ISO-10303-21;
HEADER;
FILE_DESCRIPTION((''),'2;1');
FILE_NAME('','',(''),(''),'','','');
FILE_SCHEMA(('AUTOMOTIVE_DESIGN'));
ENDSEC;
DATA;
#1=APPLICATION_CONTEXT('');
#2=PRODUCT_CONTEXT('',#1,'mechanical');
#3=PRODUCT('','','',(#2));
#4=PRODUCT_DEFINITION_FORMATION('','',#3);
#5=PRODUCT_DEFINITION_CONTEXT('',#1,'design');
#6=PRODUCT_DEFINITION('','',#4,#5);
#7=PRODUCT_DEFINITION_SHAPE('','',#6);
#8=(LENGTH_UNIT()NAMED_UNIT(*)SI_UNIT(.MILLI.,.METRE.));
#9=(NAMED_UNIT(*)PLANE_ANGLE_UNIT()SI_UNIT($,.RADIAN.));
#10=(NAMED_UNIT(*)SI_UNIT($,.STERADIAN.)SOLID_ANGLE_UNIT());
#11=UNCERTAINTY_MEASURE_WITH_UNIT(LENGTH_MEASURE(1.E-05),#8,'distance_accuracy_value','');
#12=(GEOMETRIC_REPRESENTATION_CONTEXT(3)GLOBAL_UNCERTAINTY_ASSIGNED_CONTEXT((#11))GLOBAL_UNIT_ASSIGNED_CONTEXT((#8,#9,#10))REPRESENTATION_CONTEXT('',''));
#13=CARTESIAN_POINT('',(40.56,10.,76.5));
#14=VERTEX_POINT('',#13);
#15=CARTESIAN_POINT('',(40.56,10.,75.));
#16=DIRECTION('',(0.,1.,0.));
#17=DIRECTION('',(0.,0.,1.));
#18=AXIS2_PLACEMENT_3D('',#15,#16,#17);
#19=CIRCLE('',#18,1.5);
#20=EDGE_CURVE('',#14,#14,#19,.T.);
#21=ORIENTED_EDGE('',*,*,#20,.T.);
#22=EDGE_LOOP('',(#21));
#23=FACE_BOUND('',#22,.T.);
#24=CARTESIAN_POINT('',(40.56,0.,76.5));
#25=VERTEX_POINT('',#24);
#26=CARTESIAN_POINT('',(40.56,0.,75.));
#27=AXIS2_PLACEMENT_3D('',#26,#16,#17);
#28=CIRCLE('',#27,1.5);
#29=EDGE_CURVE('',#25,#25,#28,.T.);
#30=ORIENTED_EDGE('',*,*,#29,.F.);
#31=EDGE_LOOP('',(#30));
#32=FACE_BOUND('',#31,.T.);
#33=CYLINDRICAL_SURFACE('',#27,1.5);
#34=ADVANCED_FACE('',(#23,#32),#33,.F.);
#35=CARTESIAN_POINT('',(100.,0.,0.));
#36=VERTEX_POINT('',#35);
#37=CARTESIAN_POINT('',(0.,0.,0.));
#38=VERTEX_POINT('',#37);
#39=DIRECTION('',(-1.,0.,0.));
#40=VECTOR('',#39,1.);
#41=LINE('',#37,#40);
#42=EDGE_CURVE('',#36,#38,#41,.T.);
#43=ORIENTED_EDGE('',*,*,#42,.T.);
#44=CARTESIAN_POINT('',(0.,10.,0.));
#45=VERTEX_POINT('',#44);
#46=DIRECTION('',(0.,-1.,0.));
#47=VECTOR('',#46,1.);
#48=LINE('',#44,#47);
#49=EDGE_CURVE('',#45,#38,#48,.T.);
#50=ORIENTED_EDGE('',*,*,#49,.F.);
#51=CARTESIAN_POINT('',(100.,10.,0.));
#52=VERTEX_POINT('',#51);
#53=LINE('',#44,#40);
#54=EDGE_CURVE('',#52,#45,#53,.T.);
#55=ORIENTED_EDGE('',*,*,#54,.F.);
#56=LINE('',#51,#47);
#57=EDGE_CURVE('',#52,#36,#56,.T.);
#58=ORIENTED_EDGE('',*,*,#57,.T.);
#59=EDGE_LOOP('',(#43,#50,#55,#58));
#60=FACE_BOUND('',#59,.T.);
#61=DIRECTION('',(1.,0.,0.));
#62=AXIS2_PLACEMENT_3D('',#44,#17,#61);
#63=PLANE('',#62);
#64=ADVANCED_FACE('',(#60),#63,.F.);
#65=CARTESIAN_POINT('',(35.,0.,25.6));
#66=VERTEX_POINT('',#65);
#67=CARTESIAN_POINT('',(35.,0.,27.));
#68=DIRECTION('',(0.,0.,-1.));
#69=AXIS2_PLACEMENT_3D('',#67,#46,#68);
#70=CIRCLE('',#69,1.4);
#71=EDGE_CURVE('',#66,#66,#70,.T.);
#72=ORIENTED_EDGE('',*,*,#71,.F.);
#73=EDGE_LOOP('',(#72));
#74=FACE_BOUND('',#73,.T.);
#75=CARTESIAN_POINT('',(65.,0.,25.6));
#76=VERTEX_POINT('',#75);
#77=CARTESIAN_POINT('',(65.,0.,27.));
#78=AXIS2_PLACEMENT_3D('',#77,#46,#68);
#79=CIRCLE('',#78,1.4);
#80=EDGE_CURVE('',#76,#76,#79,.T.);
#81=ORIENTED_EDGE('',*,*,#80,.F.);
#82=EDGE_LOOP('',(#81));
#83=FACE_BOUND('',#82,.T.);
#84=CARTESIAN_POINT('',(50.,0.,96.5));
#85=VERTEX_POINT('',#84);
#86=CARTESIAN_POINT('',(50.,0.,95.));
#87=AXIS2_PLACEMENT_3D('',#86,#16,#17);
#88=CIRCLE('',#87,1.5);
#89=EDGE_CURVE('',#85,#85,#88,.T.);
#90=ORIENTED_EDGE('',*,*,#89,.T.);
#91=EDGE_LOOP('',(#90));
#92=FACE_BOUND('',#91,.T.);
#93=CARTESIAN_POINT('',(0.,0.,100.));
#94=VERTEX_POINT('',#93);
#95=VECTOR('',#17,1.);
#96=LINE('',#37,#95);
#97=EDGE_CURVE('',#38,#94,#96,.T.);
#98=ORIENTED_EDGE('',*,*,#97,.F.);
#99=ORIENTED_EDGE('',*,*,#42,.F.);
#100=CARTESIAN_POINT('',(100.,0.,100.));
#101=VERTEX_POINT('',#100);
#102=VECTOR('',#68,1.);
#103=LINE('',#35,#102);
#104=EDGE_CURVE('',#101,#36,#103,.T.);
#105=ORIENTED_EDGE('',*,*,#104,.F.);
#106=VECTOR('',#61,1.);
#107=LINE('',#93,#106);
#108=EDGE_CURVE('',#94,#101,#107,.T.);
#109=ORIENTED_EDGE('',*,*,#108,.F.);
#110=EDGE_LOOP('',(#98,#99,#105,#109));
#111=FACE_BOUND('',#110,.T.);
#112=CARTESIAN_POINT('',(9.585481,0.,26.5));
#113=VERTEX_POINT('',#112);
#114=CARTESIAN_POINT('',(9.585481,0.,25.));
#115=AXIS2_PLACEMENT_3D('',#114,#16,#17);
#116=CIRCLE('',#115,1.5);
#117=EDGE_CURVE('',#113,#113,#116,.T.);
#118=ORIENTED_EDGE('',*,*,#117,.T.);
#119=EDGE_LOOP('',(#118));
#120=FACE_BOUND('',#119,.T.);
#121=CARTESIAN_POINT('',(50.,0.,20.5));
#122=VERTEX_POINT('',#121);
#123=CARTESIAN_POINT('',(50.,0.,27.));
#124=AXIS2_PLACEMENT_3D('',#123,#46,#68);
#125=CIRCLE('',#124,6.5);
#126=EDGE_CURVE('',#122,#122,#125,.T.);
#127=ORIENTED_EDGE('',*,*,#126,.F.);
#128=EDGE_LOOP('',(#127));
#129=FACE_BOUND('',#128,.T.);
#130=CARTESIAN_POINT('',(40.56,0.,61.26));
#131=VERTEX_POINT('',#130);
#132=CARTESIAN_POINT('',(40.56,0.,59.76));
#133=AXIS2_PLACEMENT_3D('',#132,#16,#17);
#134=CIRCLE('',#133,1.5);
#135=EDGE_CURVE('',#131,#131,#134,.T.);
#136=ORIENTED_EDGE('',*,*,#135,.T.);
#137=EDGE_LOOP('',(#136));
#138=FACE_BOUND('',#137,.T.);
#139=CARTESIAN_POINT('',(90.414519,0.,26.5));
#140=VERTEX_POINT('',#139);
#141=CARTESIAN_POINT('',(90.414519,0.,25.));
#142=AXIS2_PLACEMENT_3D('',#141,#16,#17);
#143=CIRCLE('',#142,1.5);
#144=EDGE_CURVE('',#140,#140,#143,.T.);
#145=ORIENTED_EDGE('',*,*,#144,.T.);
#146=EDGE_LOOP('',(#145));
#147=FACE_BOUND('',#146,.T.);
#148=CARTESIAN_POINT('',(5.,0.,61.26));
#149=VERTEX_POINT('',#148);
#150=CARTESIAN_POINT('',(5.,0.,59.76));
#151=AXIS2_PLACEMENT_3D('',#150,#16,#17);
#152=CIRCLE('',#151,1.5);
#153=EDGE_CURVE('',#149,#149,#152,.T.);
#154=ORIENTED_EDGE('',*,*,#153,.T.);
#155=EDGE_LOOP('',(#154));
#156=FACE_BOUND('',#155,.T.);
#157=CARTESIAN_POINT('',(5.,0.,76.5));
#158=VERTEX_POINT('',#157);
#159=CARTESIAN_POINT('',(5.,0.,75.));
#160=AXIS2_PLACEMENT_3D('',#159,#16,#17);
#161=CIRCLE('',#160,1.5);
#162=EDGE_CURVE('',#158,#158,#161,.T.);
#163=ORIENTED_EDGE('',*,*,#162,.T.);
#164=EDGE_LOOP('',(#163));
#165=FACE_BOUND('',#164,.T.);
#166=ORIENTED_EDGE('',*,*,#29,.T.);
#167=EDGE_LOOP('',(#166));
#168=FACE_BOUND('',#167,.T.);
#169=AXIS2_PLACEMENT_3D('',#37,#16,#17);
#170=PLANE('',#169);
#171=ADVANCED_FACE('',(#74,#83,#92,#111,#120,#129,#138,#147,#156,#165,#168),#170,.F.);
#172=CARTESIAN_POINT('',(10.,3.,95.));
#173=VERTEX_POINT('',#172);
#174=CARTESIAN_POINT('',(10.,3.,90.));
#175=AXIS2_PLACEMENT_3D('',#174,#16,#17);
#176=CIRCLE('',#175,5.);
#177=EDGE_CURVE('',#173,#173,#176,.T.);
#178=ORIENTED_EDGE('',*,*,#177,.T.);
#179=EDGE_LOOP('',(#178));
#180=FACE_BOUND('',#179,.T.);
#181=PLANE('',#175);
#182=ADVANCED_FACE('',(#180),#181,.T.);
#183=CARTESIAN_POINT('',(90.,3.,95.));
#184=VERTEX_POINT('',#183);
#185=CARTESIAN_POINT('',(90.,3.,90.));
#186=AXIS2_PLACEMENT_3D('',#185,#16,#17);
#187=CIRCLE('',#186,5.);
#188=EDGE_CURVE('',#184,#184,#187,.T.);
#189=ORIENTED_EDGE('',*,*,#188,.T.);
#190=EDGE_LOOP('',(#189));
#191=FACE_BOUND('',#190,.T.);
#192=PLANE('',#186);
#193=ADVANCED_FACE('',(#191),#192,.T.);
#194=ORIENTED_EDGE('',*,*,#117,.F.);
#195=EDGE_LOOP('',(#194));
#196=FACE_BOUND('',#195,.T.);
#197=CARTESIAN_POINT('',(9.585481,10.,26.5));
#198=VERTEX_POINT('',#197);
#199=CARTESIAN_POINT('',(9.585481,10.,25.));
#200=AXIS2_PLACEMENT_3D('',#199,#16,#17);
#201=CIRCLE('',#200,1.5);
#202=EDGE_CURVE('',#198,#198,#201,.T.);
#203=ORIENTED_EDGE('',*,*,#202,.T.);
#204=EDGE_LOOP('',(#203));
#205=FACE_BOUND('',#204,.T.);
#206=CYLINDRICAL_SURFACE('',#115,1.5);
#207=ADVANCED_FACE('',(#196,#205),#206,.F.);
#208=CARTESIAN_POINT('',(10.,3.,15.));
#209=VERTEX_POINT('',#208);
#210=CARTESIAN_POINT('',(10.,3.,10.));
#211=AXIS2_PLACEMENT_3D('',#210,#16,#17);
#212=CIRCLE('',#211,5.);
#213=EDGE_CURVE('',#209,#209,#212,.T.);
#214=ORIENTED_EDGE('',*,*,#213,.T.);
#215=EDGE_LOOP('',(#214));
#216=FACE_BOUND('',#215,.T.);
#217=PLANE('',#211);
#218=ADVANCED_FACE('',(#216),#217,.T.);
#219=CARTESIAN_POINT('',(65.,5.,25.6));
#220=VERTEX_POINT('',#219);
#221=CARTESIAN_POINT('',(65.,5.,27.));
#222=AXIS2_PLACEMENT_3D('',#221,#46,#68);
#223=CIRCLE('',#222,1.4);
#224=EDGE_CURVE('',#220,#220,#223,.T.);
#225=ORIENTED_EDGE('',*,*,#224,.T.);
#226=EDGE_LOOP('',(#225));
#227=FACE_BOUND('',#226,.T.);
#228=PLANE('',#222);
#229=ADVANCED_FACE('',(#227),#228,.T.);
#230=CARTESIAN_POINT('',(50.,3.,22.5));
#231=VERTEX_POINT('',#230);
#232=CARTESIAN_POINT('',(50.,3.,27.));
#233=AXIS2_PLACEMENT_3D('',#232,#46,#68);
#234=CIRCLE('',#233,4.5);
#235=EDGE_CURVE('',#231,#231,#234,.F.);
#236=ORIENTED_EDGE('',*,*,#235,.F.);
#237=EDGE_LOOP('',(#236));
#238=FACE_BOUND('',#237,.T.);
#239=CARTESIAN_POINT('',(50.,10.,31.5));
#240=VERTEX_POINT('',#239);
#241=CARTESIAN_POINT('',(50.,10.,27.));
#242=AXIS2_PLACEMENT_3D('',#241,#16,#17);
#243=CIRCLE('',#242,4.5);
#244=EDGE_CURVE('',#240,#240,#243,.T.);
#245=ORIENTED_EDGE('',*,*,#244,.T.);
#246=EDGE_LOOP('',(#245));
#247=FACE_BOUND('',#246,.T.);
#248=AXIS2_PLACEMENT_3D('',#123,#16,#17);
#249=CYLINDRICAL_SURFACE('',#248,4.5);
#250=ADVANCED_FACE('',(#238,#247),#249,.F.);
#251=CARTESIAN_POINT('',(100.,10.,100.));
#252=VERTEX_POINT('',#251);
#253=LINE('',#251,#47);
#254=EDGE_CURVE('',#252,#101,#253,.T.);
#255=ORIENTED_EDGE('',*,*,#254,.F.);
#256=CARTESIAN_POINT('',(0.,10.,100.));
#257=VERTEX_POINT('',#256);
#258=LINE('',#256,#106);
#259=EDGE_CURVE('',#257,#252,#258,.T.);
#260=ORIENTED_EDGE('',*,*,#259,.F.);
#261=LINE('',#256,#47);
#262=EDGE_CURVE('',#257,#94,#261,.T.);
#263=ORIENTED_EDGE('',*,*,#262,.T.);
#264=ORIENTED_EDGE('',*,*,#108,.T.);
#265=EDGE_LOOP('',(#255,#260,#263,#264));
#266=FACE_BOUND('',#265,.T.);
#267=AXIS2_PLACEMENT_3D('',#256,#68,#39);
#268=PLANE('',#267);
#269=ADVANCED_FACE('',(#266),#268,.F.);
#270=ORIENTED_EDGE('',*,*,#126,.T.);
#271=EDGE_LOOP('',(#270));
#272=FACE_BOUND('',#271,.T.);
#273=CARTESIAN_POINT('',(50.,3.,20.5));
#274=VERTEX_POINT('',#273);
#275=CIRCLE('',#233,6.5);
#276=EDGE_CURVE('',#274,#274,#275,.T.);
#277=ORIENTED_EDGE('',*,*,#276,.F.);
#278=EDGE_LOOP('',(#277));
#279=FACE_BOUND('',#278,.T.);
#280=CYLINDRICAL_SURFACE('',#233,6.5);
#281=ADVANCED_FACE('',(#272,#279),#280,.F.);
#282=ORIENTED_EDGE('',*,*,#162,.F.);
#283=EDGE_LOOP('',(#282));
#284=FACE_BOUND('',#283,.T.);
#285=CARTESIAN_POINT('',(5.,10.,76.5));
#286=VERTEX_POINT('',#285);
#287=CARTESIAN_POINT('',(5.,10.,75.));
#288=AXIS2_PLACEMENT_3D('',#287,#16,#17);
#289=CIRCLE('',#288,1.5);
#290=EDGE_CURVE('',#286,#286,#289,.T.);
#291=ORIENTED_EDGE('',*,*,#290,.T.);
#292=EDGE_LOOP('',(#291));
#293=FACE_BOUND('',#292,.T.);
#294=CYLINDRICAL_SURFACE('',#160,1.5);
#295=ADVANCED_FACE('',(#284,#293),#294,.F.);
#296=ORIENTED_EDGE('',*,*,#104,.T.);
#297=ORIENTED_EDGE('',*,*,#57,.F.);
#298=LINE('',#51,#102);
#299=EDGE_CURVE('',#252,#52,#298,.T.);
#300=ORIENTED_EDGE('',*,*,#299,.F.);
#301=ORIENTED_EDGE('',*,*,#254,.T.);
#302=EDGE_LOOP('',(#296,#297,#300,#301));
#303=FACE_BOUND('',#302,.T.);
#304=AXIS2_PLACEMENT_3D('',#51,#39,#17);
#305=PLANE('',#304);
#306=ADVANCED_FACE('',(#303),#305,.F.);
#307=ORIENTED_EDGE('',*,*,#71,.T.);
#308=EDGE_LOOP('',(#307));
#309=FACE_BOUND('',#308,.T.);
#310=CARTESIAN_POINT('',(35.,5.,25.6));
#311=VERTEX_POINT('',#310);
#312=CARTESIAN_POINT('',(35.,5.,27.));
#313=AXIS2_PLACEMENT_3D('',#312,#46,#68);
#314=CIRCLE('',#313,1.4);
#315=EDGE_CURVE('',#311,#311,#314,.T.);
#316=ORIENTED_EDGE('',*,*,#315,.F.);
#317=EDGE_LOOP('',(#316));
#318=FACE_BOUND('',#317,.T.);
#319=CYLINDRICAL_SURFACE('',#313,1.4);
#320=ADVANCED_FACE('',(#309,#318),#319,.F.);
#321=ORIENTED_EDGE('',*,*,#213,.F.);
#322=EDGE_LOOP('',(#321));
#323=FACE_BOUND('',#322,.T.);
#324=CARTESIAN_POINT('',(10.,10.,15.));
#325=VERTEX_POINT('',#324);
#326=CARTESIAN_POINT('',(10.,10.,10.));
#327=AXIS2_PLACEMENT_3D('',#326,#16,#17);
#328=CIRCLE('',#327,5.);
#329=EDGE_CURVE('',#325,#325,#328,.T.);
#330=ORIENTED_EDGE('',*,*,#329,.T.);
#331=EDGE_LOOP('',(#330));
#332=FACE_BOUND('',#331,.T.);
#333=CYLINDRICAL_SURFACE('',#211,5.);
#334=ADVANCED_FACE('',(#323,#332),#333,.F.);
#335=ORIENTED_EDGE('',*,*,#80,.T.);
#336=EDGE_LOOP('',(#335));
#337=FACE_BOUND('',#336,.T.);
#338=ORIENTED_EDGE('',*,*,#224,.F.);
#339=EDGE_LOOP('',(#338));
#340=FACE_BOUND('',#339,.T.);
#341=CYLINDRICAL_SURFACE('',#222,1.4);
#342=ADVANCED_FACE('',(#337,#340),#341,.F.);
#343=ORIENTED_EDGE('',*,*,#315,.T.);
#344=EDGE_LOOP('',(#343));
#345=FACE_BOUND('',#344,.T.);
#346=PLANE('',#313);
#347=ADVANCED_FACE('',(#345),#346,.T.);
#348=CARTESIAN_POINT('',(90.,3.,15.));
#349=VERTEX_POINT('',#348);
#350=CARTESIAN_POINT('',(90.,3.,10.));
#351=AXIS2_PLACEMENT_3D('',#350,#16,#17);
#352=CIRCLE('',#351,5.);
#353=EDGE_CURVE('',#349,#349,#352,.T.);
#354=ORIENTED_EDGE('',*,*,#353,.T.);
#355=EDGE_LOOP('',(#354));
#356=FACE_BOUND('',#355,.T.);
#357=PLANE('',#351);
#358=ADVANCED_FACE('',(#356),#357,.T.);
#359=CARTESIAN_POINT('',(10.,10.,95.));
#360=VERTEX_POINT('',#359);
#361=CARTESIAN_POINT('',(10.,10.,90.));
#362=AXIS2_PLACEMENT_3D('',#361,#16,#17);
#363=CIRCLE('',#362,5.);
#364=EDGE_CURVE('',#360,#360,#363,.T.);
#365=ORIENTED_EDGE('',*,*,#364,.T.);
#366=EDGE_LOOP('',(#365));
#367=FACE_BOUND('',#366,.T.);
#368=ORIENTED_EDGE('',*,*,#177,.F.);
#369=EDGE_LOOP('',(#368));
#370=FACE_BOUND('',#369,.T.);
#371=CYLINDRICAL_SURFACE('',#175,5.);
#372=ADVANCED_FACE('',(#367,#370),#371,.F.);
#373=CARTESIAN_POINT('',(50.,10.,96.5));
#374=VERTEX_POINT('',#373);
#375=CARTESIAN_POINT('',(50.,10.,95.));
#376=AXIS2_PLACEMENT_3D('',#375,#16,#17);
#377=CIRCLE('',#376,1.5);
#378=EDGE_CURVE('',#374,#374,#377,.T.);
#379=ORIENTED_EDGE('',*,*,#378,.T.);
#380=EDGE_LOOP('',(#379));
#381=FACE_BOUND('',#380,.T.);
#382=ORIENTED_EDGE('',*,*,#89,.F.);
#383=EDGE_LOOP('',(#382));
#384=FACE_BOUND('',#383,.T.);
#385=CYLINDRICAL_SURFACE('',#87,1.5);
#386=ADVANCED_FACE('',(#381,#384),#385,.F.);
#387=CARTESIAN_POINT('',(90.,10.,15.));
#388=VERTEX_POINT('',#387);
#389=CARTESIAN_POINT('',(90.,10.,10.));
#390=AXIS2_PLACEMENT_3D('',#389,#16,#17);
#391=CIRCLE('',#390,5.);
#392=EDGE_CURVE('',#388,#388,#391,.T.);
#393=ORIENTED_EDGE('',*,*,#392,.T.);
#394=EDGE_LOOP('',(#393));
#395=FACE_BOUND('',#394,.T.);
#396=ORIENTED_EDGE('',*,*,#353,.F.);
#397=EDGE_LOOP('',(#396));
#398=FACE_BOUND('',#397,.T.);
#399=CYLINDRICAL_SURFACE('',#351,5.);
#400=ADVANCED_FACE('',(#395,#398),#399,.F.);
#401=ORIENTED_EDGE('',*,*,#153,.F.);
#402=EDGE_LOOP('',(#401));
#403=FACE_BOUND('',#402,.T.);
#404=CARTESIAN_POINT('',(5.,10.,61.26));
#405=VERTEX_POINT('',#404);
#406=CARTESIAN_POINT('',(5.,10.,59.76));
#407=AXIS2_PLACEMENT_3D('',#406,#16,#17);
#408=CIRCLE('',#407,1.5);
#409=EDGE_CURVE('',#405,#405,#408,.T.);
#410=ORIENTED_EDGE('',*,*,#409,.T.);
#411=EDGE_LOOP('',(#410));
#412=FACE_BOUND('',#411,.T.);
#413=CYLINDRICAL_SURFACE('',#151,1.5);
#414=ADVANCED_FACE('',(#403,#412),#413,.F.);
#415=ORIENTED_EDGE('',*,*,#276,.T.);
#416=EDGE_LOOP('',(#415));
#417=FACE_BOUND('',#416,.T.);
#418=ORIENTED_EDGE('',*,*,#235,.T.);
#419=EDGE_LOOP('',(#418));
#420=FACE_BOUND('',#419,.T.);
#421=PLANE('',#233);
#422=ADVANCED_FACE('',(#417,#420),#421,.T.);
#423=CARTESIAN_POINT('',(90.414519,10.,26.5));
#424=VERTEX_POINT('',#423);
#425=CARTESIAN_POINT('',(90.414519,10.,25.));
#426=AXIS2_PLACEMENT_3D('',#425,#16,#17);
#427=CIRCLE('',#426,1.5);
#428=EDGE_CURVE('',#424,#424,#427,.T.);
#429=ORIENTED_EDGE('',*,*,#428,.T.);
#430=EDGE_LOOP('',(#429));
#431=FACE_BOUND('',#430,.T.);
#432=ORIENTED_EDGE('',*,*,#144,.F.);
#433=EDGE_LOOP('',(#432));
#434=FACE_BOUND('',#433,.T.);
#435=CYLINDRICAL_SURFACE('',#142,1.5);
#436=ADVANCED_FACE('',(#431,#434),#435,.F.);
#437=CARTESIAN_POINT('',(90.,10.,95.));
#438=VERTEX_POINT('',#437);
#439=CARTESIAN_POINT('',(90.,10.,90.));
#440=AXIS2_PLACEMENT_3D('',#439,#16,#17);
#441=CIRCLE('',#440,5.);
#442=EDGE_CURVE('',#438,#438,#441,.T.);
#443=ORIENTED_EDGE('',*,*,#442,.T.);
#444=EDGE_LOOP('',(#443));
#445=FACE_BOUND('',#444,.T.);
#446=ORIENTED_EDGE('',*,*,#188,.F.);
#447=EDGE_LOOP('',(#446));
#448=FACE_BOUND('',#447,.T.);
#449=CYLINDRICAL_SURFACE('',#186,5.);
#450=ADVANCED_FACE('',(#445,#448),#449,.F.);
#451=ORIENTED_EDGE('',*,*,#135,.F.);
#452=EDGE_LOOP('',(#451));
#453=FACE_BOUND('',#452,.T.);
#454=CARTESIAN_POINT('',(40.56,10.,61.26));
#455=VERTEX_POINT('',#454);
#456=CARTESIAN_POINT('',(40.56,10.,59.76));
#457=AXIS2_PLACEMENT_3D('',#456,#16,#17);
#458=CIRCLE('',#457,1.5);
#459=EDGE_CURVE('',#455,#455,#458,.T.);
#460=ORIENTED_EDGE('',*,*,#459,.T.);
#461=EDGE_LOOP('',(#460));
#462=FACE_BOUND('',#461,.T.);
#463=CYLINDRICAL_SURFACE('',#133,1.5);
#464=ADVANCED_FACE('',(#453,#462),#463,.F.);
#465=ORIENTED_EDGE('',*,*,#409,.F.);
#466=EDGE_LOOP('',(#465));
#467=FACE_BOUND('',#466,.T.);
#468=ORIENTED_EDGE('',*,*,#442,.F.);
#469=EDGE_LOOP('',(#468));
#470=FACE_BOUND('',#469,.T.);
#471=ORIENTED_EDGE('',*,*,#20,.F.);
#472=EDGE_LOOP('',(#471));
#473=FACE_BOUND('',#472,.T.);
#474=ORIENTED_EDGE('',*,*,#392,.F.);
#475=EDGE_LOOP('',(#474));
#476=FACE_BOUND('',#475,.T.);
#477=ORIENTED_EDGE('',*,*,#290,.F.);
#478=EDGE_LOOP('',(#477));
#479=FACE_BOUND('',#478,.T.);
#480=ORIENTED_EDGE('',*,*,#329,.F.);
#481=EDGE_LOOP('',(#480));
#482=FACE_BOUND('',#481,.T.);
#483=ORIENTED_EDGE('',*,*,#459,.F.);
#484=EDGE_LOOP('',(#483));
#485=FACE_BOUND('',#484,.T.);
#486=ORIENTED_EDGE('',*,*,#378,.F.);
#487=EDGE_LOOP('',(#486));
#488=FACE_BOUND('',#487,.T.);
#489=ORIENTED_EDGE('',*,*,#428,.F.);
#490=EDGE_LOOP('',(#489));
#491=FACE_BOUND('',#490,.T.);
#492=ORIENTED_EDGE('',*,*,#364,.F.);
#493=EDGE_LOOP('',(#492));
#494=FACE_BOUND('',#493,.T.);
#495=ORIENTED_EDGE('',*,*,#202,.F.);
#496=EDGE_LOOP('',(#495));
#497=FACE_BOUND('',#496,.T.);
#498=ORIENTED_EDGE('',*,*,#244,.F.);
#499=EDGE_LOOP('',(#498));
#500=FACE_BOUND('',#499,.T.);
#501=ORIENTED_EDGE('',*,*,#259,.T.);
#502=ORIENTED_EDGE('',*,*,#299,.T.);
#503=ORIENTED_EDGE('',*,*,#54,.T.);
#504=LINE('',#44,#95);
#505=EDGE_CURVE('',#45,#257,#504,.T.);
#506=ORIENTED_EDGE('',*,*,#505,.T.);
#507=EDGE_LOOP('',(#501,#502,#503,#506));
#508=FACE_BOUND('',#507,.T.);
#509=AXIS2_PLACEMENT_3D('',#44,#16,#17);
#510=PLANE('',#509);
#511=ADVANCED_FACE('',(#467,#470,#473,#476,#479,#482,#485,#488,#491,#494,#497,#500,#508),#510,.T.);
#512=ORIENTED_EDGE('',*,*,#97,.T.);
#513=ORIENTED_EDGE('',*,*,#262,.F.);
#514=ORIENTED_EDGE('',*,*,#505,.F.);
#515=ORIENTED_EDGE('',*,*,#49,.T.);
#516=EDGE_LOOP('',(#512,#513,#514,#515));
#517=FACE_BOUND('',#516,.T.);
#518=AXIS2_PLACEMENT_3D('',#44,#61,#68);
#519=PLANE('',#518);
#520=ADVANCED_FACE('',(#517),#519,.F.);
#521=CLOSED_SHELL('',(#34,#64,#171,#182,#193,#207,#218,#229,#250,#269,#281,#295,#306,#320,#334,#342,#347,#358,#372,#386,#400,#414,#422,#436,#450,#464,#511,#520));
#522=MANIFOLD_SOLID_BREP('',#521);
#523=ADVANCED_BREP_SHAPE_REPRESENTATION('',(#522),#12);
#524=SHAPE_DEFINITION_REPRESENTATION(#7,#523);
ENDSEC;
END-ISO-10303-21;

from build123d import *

# Parameters (mm, degrees)
SKETCH_1_W          = 100
SKETCH_1_H          = 100
EXTRUDE_1_DEPTH     = 10
SKETCH_2_R          = 5
CUT_EXTRUDE_1_DEPTH = 7
SKETCH_3_R          = 1.5
CUT_EXTRUDE_2_DEPTH = 142.774468788
SKETCH_4_R          = 4.5
CUT_EXTRUDE_3_DEPTH = 142.774468788
SKETCH_5_R          = 6.5
CUT_EXTRUDE_4_DEPTH = 3
SKETCH_6_R          = 1.5
CUT_EXTRUDE_5_DEPTH = 142.774468788
SKETCH_7_R          = 1.4
CUT_EXTRUDE_6_DEPTH = 5


with BuildPart() as part:
    # 草图1 → 凸台-拉伸1 (new body)
    with BuildSketch(Plane(origin=(0, 0, 0), x_dir=(1, 0, 0), z_dir=(0, 1, 0))):
        with Locations((50, -50)):
            Rectangle(SKETCH_1_W, SKETCH_1_H)
    extrude(amount=EXTRUDE_1_DEPTH)

    # 草图2 → 切除-拉伸1 (cut)
    with BuildSketch(Plane(origin=(0, 10, 0), x_dir=(1, 0, 0), z_dir=(0, 1, 0))):
        with Locations(Location((10, -10, 0), (0, 0, 270))):
            Circle(SKETCH_2_R)
        with Locations(Location((90, -10, 0), (0, 0, 270))):
            Circle(SKETCH_2_R)
        with Locations(Location((10, -90, 0), (0, 0, 270))):
            Circle(SKETCH_2_R)
        with Locations(Location((90, -90, 0), (0, 0, 270))):
            Circle(SKETCH_2_R)
    extrude(amount=-CUT_EXTRUDE_1_DEPTH, mode=Mode.SUBTRACT)

    # 草图3 → 切除-拉伸2 (cut, through all)
    with BuildSketch(Plane(origin=(0, 10, 0), x_dir=(1, 0, 0), z_dir=(0, 1, 0))):
        with Locations(Location((50, -95, 0), (0, 0, 270))):
            Circle(SKETCH_3_R)
        with Locations(Location((90.414518843, -25, 0), (0, 0, 270))):
            Circle(SKETCH_3_R)
        with Locations(Location((9.585481157, -25, 0), (0, 0, 270))):
            Circle(SKETCH_3_R)
    extrude(amount=-CUT_EXTRUDE_2_DEPTH, mode=Mode.SUBTRACT)

    # 草图4 → 切除-拉伸3 (cut, through all)
    with BuildSketch(Plane(origin=(0, 10, 0), x_dir=(1, 0, 0), z_dir=(0, 1, 0))):
        with Locations(Location((50, -27, 0), (0, 0, 270))):
            Circle(SKETCH_4_R)
    extrude(amount=-CUT_EXTRUDE_3_DEPTH, mode=Mode.SUBTRACT)

    # 草图5 → 切除-拉伸4 (cut)
    with BuildSketch(Plane(origin=(0, 0, 0), x_dir=(-1, 0, 0), z_dir=(0, -1, 0))):
        with Locations(Location((-50, -27, 0), (0, 0, 90))):
            Circle(SKETCH_5_R)
    extrude(amount=-CUT_EXTRUDE_4_DEPTH, mode=Mode.SUBTRACT)

    # 草图6 → 切除-拉伸5 (cut, through all)
    with BuildSketch(Plane(origin=(0, 10, 0), x_dir=(1, 0, 0), z_dir=(0, 1, 0))):
        with Locations(Location((40.56, -59.76, 0), (0, 0, 270))):
            Circle(SKETCH_6_R)
        with Locations(Location((40.56, -75, 0), (0, 0, 270))):
            Circle(SKETCH_6_R)
        with Locations(Location((5, -59.76, 0), (0, 0, 270))):
            Circle(SKETCH_6_R)
        with Locations(Location((5, -75, 0), (0, 0, 270))):
            Circle(SKETCH_6_R)
    extrude(amount=-CUT_EXTRUDE_5_DEPTH, mode=Mode.SUBTRACT)

    # 草图7 → 切除-拉伸6 (cut)
    with BuildSketch(Plane(origin=(0, 0, 0), x_dir=(-1, 0, 0), z_dir=(0, -1, 0))):
        with Locations(Location((-65, -27, 0), (0, 0, 90))):
            Circle(SKETCH_7_R)
        with Locations(Location((-35, -27, 0), (0, 0, 90))):
            Circle(SKETCH_7_R)
    extrude(amount=-CUT_EXTRUDE_6_DEPTH, mode=Mode.SUBTRACT)


solid = part.part
